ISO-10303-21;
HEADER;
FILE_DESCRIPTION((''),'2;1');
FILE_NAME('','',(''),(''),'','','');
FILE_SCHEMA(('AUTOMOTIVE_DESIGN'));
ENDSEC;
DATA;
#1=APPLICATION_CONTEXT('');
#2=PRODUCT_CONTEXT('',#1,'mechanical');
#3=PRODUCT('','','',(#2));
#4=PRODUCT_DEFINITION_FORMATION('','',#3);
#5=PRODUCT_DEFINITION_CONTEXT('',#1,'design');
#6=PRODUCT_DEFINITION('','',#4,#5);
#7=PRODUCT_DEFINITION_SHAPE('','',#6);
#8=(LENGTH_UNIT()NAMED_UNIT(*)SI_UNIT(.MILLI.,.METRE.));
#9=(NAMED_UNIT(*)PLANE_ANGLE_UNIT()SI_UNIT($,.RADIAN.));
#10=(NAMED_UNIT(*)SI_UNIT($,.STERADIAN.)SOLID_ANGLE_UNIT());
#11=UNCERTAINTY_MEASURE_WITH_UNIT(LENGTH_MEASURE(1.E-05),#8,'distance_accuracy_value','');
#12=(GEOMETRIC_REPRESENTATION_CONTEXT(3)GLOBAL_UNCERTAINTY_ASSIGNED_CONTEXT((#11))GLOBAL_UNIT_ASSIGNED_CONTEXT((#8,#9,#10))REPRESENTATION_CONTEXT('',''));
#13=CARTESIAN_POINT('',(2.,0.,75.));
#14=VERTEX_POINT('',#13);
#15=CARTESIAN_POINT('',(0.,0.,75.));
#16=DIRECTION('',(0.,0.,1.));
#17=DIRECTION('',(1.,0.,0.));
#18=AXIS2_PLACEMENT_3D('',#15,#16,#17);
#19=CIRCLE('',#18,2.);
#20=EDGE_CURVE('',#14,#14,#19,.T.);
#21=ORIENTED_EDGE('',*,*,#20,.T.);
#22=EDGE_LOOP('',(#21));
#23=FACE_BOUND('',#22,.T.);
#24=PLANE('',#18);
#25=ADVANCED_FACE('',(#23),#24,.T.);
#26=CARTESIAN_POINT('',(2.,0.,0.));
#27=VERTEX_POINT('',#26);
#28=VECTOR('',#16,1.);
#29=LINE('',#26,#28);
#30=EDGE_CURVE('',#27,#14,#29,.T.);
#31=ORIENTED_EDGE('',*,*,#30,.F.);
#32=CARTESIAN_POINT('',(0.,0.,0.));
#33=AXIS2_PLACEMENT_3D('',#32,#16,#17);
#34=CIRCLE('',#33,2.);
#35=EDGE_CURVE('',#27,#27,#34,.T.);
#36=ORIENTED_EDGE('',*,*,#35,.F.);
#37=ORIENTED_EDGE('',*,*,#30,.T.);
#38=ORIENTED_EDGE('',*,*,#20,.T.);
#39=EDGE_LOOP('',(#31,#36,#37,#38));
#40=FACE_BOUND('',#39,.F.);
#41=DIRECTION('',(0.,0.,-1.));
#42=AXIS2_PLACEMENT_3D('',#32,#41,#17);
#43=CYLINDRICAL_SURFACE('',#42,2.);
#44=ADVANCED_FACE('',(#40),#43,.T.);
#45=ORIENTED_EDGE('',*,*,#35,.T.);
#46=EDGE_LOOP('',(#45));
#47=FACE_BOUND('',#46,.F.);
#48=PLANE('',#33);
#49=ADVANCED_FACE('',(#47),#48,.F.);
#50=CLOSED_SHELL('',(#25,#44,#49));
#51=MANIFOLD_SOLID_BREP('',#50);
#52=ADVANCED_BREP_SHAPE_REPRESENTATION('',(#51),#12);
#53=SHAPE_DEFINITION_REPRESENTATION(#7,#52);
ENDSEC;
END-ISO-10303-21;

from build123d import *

# Parameters (mm, degrees)
SKETCH_1_R      = 2
EXTRUDE_1_DEPTH = 75


with BuildPart() as part:
    # 草图1 → 凸台-拉伸1 (new body)
    with BuildSketch(Plane.XY):
        Circle(SKETCH_1_R)
    extrude(amount=EXTRUDE_1_DEPTH)


solid = part.part
